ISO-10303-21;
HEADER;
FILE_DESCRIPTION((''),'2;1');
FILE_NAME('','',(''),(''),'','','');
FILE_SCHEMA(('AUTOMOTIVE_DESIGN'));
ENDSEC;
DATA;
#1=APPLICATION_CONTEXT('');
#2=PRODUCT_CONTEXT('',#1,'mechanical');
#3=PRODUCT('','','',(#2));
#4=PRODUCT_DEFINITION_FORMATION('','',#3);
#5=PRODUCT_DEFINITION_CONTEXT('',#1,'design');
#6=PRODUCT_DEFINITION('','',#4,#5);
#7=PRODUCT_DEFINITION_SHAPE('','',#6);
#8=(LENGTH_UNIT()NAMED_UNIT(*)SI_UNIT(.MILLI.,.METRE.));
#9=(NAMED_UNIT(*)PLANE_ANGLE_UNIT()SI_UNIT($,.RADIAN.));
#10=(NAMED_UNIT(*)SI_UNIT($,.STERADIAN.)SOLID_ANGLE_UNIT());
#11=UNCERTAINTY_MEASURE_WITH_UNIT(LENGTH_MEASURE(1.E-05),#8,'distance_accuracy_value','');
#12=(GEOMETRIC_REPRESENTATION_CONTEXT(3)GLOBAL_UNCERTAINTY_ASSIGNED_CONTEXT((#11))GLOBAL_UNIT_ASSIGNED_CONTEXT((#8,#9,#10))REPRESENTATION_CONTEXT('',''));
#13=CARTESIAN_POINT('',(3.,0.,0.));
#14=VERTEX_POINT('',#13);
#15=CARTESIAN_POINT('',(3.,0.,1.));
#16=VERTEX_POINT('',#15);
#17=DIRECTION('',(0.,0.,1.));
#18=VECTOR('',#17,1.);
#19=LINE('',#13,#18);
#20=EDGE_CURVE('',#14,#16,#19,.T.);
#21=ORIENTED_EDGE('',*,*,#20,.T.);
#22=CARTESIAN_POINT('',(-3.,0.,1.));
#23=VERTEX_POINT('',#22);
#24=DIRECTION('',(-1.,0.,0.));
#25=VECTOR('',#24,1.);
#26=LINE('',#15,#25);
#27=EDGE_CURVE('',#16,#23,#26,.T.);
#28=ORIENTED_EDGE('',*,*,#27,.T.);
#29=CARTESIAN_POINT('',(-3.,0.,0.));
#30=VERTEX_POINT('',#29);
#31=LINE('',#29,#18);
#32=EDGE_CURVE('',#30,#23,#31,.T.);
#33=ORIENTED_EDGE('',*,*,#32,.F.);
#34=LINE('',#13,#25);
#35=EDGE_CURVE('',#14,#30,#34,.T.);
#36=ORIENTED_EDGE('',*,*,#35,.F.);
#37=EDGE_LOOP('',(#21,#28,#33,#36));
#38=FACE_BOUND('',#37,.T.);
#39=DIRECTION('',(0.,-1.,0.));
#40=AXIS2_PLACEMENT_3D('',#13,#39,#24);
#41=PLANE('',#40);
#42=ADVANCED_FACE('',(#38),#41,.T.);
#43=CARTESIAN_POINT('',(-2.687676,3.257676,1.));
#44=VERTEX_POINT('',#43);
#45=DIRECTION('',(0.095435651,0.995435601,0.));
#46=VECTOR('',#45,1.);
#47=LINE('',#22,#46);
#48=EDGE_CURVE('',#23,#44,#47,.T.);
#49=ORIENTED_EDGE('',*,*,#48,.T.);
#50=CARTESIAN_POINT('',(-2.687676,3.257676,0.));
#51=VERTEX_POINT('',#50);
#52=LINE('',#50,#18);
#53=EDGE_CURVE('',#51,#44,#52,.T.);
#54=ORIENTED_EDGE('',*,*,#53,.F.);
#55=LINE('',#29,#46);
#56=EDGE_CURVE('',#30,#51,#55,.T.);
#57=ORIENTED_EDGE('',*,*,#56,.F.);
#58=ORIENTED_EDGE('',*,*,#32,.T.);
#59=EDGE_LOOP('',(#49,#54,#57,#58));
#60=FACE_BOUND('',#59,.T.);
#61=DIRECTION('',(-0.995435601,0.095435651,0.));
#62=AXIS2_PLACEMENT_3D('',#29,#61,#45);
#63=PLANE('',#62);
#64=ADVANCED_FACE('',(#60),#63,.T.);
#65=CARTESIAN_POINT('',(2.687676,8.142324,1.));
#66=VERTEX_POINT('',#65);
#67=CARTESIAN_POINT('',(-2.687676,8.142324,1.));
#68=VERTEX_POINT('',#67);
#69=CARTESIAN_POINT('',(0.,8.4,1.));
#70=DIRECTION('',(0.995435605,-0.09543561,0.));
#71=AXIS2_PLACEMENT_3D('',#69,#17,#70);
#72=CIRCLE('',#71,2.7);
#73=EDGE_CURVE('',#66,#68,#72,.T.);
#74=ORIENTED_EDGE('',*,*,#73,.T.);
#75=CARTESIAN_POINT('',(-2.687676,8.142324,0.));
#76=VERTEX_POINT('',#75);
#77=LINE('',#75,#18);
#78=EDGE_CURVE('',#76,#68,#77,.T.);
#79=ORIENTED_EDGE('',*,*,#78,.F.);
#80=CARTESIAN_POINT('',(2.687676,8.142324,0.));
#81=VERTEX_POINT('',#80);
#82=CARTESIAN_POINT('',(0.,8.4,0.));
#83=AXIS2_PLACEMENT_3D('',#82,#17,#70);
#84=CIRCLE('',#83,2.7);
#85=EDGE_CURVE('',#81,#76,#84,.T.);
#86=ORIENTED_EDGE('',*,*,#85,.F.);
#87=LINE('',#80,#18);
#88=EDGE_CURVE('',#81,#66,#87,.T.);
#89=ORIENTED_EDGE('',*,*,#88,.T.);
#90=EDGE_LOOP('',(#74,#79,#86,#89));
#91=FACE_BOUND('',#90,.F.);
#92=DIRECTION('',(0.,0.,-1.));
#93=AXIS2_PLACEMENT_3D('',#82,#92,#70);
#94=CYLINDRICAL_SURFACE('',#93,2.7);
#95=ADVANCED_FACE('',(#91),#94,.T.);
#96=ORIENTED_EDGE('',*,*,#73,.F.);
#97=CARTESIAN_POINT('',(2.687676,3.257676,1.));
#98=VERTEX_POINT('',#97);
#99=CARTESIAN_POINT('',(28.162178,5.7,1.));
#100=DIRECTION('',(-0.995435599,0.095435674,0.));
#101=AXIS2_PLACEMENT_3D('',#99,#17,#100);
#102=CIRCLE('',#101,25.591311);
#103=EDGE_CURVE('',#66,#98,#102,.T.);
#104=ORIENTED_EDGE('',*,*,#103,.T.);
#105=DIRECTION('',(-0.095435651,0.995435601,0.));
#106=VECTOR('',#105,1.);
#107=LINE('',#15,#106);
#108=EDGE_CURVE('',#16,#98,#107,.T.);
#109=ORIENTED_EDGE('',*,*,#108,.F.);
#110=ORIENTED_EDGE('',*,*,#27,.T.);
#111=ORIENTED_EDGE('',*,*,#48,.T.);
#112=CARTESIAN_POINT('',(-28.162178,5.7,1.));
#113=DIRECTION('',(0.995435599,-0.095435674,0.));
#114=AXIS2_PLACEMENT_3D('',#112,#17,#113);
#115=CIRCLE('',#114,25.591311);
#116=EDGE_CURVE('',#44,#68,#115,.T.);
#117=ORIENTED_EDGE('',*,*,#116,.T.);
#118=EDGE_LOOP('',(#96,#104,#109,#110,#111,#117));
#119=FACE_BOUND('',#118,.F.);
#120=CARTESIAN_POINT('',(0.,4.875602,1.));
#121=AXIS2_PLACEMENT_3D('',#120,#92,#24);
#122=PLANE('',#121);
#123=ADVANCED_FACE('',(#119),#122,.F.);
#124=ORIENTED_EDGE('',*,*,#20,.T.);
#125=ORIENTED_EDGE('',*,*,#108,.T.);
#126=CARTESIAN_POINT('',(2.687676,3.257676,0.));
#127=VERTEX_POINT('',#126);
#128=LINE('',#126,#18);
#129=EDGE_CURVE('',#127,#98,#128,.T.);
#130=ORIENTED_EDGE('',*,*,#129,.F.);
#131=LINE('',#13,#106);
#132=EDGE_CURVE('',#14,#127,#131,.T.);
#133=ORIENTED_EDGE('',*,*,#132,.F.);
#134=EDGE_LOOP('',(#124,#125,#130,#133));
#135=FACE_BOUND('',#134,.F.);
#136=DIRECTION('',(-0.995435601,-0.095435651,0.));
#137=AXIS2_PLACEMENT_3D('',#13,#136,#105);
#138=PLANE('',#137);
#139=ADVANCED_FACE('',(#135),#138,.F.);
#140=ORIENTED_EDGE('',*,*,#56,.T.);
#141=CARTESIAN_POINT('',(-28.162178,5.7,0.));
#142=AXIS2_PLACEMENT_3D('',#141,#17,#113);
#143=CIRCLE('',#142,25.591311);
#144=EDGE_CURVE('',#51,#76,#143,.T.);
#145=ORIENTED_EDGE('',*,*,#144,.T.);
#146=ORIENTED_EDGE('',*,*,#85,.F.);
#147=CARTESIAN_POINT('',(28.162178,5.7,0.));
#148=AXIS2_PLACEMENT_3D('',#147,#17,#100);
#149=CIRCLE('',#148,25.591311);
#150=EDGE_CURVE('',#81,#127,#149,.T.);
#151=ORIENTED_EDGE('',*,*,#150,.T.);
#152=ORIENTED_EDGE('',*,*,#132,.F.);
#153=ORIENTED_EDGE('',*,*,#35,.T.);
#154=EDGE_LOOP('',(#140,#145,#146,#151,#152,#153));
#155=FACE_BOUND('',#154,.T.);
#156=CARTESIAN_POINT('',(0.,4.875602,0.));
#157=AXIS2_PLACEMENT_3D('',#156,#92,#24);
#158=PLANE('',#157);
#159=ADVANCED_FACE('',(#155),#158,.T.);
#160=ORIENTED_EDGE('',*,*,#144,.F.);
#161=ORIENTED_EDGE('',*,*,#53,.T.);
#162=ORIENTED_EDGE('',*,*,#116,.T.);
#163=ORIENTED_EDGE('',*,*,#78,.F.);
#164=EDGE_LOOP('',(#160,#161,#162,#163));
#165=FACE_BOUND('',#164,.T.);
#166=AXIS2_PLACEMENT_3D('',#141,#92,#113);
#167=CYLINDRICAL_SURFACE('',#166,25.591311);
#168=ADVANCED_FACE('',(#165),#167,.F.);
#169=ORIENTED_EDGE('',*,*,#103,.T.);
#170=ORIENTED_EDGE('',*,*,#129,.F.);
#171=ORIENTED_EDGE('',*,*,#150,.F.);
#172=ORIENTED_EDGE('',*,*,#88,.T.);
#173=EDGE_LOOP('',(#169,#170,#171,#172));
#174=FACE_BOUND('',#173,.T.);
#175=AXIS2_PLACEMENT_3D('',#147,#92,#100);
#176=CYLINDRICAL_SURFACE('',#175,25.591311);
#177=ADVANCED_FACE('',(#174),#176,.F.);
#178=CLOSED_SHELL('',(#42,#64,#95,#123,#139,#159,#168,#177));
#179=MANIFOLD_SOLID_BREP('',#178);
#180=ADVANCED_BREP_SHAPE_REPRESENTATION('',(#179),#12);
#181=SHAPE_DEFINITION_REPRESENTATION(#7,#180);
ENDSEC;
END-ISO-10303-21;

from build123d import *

# Parameters (mm, degrees)
PAD_DEPTH = 1


with BuildPart() as part:
    # Sketch → Pad (new body)
    with BuildSketch(Plane.XY):
        with BuildLine():
            Line((3, 0), (-3, 0))
            Line((-3, 0), (-2.687676, 3.257676))
            ThreePointArc((-2.687676, 3.257676), (-2.570867, 5.7), (-2.687676, 8.142324))
            ThreePointArc((2.687676, 8.142324), (0, 11.1), (-2.687676, 8.142324))
            ThreePointArc((2.687676, 8.142324), (2.570867, 5.7), (2.687676, 3.257676))
            Line((3, 0), (2.687676, 3.257676))
        make_face()
    extrude(amount=PAD_DEPTH)


solid = part.part
